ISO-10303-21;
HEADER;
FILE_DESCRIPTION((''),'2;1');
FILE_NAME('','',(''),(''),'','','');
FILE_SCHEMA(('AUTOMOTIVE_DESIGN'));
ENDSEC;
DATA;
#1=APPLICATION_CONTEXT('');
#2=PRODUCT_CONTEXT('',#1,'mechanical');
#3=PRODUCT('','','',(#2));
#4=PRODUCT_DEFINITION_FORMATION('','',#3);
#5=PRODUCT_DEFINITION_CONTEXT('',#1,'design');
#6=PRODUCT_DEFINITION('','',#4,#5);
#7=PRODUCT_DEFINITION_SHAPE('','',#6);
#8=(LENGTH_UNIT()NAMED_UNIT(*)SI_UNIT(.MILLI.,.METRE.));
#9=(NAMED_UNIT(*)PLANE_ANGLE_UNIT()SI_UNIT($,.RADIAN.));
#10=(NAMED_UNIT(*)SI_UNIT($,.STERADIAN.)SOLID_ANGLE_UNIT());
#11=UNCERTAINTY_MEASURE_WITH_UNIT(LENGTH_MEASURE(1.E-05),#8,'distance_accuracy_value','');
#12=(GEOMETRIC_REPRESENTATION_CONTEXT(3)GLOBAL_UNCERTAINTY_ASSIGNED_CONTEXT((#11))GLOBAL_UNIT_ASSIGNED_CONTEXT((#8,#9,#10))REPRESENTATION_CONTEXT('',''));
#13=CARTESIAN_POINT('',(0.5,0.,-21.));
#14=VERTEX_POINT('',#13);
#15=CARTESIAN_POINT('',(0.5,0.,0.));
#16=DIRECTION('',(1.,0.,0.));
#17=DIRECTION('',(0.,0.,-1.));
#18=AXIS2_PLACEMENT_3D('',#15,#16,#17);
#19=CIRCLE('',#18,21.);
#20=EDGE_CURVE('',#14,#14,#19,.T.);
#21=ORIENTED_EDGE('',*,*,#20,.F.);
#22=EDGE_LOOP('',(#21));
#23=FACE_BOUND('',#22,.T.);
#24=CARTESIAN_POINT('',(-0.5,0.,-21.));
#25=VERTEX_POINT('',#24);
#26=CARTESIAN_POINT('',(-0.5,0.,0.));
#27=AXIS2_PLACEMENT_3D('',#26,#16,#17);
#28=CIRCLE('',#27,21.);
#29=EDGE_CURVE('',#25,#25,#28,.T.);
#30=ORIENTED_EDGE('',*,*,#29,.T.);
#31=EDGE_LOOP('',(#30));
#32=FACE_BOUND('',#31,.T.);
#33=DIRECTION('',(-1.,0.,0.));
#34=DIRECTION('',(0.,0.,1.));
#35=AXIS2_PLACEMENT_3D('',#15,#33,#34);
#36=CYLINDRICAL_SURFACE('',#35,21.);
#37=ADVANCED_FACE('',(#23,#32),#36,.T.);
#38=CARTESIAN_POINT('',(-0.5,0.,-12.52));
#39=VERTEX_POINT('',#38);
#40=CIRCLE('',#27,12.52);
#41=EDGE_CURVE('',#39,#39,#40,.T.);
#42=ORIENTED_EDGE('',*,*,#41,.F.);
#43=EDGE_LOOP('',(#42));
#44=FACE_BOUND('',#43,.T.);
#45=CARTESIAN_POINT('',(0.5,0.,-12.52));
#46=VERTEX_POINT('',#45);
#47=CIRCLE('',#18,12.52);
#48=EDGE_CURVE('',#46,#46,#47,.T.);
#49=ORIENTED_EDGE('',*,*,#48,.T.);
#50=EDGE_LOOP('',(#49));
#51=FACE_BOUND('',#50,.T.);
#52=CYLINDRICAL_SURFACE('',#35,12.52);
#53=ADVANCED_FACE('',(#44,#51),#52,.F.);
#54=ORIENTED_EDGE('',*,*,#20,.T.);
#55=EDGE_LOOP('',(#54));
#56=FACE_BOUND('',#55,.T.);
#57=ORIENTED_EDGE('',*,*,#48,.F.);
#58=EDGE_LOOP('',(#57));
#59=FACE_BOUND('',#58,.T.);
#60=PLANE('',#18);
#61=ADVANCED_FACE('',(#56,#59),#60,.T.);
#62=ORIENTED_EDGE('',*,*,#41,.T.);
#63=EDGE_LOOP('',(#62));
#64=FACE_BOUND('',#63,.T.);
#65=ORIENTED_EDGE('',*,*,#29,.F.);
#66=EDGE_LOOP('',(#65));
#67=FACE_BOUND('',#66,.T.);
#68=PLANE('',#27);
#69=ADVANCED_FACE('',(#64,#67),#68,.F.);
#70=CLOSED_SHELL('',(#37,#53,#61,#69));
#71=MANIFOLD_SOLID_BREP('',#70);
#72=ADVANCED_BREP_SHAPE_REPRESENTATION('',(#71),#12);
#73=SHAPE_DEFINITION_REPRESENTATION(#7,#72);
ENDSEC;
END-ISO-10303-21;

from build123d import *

# Parameters (mm, degrees)
SKETCH3_R                = 21
SKETCH3_R_2              = 12.52
BOSS_EXTRUDE1_DEPTH      = 0.5
BOSS_EXTRUDE1_DEPTH_BACK = 0.5


with BuildPart() as part:
    # Sketch3 → Boss-Extrude1 (new body, two sides)
    with BuildSketch(Plane(origin=(0, 0, 0), x_dir=(0, 0, -1), z_dir=(1, 0, 0))) as boss_extrude1_sk:
        Circle(SKETCH3_R)
        Circle(SKETCH3_R_2, mode=Mode.SUBTRACT)
    extrude(amount=BOSS_EXTRUDE1_DEPTH)
    extrude(boss_extrude1_sk.sketch, amount=-BOSS_EXTRUDE1_DEPTH_BACK)


solid = part.part
